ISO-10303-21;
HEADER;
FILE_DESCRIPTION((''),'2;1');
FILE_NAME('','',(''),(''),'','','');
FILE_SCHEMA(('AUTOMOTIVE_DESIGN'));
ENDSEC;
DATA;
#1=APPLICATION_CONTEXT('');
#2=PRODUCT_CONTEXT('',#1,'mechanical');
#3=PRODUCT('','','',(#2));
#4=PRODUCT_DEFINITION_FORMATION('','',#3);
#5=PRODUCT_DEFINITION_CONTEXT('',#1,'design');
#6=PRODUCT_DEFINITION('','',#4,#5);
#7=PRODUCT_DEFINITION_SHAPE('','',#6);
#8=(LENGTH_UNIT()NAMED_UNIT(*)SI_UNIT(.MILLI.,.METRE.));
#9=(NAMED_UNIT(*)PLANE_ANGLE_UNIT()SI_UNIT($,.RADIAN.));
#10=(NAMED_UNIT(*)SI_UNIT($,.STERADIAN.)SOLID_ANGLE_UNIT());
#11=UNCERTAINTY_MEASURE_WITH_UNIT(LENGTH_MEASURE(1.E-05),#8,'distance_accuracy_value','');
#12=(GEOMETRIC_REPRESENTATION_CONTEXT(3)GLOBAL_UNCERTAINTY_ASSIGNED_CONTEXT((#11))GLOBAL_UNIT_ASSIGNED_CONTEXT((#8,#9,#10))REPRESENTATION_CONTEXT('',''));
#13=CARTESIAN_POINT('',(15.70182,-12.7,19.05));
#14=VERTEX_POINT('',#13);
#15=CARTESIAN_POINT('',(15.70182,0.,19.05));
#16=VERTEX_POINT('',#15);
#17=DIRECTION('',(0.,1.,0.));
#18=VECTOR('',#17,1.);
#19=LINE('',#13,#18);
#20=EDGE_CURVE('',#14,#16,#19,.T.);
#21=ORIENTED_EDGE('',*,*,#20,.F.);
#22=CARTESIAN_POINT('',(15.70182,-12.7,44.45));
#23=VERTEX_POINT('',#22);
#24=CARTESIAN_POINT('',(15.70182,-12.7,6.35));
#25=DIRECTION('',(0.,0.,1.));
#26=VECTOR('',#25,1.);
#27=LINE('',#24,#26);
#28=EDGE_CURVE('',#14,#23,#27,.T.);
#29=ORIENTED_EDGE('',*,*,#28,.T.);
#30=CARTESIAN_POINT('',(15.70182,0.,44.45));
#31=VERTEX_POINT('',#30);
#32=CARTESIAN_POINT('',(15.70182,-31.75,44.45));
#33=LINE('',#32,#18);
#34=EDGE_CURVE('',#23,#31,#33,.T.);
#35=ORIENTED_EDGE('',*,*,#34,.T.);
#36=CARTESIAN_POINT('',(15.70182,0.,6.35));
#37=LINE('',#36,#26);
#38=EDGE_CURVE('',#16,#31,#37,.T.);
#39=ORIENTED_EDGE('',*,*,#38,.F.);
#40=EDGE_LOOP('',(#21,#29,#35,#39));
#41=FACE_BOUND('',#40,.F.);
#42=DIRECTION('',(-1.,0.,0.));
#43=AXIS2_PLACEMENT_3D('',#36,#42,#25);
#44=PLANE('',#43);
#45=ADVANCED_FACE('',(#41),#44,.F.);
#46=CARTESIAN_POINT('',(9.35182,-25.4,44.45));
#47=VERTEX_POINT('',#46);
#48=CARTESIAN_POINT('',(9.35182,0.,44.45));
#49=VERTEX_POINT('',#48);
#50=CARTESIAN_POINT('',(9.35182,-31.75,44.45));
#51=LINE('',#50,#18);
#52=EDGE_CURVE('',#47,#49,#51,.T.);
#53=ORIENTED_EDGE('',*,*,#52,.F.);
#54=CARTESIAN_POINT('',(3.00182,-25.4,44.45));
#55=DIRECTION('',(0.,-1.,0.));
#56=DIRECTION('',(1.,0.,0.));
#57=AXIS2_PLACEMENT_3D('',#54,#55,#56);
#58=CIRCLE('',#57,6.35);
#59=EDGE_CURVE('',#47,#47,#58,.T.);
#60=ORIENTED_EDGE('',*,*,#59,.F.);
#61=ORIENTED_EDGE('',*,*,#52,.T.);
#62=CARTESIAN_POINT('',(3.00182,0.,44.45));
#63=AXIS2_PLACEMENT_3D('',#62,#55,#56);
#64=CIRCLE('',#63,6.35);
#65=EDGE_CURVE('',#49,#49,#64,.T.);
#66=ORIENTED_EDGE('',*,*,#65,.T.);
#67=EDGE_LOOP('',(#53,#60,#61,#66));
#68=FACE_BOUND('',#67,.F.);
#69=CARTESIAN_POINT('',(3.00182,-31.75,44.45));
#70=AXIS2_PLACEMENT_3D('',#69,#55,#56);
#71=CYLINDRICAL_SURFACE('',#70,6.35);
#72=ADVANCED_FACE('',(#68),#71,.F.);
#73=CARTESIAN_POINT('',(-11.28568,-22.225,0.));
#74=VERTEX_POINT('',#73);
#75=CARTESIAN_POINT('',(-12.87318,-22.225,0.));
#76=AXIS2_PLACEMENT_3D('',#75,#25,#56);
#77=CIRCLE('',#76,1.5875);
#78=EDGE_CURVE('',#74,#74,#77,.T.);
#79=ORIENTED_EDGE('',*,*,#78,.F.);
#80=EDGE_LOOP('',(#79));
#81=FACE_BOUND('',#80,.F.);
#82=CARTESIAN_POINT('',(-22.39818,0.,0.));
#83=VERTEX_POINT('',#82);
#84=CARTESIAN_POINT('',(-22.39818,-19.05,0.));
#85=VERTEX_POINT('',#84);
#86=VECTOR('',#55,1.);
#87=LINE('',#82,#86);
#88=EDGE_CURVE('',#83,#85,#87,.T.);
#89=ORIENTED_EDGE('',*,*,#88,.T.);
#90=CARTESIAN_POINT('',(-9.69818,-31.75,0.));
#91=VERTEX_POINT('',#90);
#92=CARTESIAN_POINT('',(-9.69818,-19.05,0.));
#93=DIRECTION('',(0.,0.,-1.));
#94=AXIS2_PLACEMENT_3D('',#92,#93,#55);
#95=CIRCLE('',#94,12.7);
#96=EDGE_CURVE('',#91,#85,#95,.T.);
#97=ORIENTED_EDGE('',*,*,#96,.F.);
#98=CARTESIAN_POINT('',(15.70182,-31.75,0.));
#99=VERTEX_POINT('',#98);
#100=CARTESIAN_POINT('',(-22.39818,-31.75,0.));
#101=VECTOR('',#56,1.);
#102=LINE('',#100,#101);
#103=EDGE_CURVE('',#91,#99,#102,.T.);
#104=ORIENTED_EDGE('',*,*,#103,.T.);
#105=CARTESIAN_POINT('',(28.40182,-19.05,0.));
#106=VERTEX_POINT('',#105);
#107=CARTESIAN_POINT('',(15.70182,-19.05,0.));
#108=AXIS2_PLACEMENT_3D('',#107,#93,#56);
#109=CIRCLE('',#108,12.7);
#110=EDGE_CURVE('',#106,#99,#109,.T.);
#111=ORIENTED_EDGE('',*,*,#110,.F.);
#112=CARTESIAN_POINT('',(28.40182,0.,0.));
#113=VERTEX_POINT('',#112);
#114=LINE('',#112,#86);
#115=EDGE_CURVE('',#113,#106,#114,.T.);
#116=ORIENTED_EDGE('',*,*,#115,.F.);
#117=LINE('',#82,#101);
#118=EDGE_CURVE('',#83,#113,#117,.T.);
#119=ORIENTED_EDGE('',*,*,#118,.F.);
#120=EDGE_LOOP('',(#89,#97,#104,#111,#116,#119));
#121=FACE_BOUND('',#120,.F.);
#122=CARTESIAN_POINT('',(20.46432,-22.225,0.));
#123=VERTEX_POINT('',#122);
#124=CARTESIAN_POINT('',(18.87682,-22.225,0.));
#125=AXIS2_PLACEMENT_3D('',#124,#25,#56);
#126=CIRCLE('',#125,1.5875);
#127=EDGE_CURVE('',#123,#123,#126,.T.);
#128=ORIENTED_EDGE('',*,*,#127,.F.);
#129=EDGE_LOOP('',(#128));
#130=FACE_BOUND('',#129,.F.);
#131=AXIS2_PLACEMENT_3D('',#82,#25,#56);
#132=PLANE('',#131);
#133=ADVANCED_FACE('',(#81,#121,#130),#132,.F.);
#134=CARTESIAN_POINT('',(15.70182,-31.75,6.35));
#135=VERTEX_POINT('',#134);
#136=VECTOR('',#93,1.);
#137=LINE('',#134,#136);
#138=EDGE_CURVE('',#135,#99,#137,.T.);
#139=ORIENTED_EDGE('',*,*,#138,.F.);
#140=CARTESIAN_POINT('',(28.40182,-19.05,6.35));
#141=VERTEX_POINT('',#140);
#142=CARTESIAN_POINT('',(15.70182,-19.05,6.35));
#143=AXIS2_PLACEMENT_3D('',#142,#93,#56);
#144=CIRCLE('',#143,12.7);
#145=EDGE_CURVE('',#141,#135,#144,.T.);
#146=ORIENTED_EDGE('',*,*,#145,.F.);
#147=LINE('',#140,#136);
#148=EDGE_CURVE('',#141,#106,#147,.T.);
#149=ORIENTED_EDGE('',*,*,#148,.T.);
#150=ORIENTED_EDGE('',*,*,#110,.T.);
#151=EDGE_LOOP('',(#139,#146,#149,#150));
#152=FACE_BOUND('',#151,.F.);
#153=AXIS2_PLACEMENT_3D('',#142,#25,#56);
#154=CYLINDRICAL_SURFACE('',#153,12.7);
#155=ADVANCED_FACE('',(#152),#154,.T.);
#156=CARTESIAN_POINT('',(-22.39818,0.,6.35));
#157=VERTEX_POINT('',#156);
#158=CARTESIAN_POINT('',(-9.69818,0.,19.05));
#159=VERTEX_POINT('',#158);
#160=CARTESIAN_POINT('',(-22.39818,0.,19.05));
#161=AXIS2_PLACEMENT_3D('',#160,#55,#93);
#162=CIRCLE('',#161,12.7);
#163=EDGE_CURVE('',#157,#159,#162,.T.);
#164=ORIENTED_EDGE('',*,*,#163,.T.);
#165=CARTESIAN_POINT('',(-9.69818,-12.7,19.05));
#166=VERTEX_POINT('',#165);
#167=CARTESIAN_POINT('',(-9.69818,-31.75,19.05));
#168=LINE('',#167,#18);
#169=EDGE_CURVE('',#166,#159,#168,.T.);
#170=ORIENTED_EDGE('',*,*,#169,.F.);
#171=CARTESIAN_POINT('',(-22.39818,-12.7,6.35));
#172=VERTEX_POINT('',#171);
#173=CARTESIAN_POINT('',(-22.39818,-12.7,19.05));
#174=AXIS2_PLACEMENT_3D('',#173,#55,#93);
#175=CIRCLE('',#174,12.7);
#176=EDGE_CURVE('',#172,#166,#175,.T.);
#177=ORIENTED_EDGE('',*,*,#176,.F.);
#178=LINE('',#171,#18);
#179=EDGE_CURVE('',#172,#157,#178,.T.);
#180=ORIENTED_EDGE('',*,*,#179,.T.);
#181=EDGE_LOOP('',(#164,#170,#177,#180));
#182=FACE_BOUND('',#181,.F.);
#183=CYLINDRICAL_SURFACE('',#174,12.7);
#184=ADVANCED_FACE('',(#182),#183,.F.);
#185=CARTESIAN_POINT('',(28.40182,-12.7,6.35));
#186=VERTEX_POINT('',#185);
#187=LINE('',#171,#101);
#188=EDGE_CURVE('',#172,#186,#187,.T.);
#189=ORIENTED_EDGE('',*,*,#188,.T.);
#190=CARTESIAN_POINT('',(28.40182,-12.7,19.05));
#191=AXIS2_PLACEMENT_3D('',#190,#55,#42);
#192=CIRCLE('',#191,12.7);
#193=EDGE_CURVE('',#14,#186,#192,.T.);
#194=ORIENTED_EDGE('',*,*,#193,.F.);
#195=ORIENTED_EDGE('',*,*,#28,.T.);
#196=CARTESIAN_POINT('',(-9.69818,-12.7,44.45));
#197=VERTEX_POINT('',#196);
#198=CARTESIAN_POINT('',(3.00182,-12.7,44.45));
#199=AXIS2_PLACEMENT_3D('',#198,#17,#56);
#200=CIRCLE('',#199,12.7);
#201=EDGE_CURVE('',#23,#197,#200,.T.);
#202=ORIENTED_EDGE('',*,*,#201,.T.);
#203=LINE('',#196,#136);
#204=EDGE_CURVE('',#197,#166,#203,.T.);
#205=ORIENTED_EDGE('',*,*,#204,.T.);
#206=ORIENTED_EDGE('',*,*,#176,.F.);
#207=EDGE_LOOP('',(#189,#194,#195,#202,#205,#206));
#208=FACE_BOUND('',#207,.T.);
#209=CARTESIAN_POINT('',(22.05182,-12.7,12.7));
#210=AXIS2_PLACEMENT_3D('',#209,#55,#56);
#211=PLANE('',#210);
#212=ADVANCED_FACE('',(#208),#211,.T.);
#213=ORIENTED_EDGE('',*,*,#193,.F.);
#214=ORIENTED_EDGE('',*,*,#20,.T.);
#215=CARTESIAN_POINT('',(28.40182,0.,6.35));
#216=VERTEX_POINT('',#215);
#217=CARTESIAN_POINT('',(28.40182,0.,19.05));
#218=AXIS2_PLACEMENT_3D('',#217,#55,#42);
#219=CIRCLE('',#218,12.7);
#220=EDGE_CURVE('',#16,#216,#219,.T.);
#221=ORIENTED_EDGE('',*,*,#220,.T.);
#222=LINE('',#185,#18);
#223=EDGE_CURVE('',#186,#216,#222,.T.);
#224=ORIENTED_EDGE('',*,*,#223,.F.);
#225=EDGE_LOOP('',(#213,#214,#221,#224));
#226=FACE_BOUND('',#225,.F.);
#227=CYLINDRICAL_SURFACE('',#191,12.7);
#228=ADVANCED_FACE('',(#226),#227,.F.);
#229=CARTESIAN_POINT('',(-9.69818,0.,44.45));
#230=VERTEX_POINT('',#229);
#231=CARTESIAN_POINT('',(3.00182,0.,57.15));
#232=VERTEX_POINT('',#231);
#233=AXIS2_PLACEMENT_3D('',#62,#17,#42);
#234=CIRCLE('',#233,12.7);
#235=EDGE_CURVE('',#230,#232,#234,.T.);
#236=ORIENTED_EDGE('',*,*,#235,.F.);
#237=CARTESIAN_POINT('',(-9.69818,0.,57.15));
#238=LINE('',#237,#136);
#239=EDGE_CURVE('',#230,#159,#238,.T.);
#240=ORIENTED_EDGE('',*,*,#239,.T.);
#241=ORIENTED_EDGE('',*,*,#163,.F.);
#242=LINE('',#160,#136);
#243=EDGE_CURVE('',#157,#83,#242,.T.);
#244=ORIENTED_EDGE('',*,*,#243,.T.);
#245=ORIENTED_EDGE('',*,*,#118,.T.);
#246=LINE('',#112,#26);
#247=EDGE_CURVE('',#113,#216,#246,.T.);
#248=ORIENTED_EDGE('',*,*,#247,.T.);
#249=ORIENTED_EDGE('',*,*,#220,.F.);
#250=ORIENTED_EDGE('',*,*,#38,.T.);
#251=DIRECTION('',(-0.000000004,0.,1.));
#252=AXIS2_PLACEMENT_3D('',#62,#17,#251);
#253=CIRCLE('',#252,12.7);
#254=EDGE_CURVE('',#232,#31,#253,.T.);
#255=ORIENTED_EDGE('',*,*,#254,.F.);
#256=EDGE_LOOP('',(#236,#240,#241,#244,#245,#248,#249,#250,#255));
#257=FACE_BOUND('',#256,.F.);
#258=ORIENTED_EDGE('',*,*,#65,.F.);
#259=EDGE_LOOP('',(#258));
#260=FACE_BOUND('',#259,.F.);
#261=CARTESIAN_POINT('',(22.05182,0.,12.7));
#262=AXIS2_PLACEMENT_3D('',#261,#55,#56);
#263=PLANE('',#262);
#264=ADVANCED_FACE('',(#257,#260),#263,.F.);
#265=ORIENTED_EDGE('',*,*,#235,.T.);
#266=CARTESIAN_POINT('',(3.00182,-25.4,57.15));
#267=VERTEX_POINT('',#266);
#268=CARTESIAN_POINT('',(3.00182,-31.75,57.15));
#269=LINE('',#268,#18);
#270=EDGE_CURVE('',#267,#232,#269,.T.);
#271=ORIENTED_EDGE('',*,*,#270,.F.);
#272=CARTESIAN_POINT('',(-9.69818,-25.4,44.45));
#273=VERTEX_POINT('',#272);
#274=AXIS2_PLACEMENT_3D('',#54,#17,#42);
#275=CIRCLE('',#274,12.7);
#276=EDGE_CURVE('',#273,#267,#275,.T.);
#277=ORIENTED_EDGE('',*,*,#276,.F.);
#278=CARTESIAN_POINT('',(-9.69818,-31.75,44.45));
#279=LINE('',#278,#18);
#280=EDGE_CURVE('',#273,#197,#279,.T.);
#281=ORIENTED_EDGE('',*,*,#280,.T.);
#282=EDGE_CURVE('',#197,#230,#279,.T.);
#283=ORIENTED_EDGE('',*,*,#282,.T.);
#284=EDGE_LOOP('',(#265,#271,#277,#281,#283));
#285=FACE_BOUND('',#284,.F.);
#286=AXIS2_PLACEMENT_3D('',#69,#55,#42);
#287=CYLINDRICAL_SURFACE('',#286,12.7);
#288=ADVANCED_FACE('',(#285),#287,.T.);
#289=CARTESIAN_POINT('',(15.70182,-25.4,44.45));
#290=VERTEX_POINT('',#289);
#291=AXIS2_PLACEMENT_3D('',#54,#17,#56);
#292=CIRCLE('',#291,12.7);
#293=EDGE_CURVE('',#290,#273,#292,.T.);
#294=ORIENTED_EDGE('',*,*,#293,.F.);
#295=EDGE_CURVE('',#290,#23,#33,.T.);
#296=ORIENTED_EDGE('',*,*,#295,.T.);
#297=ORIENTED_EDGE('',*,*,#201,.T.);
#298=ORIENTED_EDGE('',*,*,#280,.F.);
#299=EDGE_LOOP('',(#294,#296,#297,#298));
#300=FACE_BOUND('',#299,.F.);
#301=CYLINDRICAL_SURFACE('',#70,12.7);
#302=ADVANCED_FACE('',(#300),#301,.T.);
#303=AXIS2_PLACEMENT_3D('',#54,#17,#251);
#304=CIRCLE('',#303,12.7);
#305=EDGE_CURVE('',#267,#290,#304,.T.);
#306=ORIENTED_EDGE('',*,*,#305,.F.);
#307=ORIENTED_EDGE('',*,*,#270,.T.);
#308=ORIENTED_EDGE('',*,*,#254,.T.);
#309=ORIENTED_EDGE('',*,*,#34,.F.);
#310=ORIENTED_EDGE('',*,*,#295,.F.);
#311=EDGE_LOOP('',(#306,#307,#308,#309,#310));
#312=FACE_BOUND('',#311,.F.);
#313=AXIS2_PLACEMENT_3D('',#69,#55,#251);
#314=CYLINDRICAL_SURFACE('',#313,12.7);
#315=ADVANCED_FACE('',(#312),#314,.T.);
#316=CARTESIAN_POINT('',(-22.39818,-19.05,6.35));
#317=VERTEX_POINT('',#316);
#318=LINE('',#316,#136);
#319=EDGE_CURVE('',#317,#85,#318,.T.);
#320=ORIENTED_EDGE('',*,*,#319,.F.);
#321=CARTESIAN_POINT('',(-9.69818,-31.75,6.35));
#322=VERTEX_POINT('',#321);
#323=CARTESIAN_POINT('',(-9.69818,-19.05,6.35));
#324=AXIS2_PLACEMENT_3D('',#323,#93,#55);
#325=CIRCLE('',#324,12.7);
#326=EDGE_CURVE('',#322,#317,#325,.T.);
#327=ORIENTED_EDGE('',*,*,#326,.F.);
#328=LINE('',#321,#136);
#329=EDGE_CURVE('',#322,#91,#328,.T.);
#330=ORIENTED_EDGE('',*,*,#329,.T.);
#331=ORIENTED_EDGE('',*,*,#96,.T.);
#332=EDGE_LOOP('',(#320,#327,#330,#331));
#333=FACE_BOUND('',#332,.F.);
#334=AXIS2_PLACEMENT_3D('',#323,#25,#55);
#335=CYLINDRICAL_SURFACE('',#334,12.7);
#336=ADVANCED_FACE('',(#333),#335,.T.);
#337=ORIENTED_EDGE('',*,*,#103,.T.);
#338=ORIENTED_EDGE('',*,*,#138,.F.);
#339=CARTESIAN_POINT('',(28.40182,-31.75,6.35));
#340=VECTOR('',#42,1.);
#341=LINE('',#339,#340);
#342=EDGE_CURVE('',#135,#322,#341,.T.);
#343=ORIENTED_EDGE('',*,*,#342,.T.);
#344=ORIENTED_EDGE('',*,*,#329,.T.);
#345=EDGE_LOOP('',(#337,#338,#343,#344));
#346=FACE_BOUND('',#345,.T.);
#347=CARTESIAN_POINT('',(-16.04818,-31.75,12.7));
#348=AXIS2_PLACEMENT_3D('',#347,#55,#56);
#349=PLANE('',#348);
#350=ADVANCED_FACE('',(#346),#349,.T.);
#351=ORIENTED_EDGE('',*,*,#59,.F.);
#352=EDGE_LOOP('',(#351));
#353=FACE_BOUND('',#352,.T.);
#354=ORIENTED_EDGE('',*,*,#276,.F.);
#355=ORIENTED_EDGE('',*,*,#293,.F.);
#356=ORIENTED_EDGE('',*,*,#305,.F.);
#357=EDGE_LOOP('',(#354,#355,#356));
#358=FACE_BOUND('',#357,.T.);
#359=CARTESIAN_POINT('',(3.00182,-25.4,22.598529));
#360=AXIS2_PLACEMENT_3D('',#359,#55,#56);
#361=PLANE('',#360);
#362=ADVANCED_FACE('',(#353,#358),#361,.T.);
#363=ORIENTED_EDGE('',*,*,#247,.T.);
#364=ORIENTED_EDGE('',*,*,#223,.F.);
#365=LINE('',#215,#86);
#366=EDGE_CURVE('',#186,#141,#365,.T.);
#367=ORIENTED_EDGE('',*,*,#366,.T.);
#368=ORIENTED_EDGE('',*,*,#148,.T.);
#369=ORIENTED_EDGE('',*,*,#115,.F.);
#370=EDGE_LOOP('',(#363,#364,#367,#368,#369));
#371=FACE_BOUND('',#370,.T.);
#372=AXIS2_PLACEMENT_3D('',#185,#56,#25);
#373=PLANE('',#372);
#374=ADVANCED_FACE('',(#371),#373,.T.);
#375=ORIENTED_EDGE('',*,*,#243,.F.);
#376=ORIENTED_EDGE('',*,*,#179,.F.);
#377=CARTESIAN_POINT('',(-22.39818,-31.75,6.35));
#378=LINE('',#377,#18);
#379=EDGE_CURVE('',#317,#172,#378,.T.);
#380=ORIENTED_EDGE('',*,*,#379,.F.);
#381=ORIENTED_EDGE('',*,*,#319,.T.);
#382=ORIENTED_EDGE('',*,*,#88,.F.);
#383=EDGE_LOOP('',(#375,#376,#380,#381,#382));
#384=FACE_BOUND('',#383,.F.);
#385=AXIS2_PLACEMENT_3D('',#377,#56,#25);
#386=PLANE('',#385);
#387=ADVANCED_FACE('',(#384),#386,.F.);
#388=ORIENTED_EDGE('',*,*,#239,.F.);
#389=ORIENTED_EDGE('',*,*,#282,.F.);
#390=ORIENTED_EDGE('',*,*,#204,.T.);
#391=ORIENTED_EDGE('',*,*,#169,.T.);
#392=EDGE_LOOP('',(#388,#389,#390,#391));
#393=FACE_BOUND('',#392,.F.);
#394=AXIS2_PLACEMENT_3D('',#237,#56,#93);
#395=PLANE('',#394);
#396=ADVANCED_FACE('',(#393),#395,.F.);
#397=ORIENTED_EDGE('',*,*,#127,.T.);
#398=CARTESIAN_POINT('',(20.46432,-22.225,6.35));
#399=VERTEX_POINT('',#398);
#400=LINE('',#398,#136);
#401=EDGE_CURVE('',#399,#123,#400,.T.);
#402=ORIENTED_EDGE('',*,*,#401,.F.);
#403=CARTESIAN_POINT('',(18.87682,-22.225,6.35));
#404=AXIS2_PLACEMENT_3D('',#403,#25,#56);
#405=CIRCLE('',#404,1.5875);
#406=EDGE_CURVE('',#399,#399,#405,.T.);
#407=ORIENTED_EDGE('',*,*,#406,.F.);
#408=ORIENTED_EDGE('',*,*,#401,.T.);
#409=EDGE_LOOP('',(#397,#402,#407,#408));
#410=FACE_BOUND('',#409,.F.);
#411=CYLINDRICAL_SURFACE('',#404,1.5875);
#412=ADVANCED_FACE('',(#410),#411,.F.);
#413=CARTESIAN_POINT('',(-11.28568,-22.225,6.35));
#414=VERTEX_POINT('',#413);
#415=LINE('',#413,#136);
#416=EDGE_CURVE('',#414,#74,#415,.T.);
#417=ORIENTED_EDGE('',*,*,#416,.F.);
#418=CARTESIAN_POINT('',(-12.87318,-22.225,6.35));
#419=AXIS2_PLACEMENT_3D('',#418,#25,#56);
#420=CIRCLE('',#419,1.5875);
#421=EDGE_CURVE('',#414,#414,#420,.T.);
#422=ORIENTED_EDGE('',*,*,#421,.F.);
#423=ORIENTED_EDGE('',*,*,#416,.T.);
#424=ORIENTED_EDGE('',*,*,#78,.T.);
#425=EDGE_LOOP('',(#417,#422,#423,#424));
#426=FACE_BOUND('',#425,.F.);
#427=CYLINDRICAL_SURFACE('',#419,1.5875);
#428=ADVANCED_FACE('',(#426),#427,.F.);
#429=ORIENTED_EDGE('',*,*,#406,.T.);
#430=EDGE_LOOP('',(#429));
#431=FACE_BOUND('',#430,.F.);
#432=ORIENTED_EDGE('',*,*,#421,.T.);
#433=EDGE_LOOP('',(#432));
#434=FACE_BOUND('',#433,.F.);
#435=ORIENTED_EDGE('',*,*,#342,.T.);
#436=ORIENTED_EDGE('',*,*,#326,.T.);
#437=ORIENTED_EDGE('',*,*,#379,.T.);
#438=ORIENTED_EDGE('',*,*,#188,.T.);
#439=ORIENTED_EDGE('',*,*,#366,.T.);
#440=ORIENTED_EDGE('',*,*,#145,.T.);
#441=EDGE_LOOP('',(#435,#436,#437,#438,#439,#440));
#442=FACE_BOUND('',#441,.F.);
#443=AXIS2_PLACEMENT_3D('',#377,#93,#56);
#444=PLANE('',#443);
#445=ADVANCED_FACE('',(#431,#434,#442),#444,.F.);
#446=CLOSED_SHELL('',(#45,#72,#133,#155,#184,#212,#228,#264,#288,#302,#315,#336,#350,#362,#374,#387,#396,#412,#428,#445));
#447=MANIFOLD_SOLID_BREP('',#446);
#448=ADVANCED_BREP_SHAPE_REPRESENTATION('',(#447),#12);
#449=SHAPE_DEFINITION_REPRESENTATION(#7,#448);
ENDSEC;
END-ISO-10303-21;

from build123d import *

# Parameters (mm, degrees)
F1_DEPTH  = 31.75
F2_R      = 6.35
F3_DEPTH  = 31.75
F5_DEPTH  = 31.75
F7_DEPTH  = 19.05
F8_DEPTH  = 6.35
F9_W      = 12.7
F9_H      = 12.7
F10_DEPTH = 31.75
F11_W     = 12.7
F11_H     = 12.7
F12_DEPTH = 19.05
F14_DEPTH = 12.7
F15_W     = 12.7
F15_H     = 12.7
F16_DEPTH = 12.7
F18_DEPTH = 12.7
F19_R     = 1.5875
F20_DEPTH = 12.7
F22_DEPTH = 6.35


with BuildPart() as f1:
    # F0 (on Front) → F1 (new body)
    with BuildSketch(Plane.XZ):
        Polygon((-9.6981803781, 6.35), (-22.3981803781, 6.35), (-22.3981803781, 0), (28.4018196219, 0), (28.4018196219, 6.35), (15.7018196219, 6.35), (15.7018196219, 57.15), (-9.6981803781, 57.15), align=None)
    extrude(amount=F1_DEPTH)

    # F2 (on face) → F3 (cut)
    with BuildSketch(Plane.XZ.offset(31.75)):
        with Locations((3.0018196219, 44.45)):
            Circle(F2_R)
    extrude(amount=-F3_DEPTH, mode=Mode.SUBTRACT)

    # F4 (on face) → F5 (cut)
    with BuildSketch(Plane.XZ.offset(31.75)):
        with BuildLine():
            ThreePointArc((-9.6981803781, 44.45), (-5.9784365163, 53.4302561039), (3.0018195733, 57.15))
            Line((3.0018195733, 57.15), (-9.6981803781, 57.15))
            Line((-9.6981803781, 57.15), (-9.6981803781, 44.45))
        make_face()
        with BuildLine():
            ThreePointArc((3.0018195733, 57.15), (11.9820757258, 53.4302561383), (15.7018196219, 44.45))
            Line((15.7018196219, 44.45), (15.7018196219, 57.15))
            Line((15.7018196219, 57.15), (3.0018195733, 57.15))
        make_face()
    extrude(amount=-F5_DEPTH, mode=Mode.SUBTRACT)

    # F6 (on face) → F7 (cut)
    with BuildSketch(Plane.XZ.offset(31.75)):
        with BuildLine():
            Line((15.7018196219, 6.35), (15.7018196219, 44.45))
            ThreePointArc((15.7018196219, 44.45), (3.0018196219, 31.75), (-9.6981803781, 44.45))
            Line((-9.6981803781, 44.45), (-9.6981803781, 6.35))
            Line((-9.6981803781, 6.35), (15.7018196219, 6.35))
        make_face()
    extrude(amount=-F7_DEPTH, mode=Mode.SUBTRACT)

    # F8 (cut): a face of the model
    f8_faces = [f1.faces().sort_by_distance(p)[0] for p in [
        (15.3426093771, -31.75, 44.45),
    ]]
    extrude(f8_faces, amount=-F8_DEPTH, mode=Mode.SUBTRACT)

    # F9 (on face) → F10 (join)
    with BuildSketch(Plane.XZ.offset(31.75)):
        with Locations((-16.0481803781, 12.7)):
            Rectangle(F9_W, F9_H)
    extrude(amount=-F10_DEPTH)

    # F11 (on face) → F12 (cut)
    with BuildSketch(Plane.XZ.offset(31.75)):
        with Locations((-16.0481803781, 12.7)):
            Rectangle(F11_W, F11_H)
    extrude(amount=-F12_DEPTH, mode=Mode.SUBTRACT)

    # F13 (on face) → F14 (cut)
    with BuildSketch(Plane.XZ.offset(12.7)):
        with BuildLine():
            Line((-22.3981803781, 19.05), (-22.3981803781, 6.35))
            ThreePointArc((-22.3981803781, 6.35), (-13.417924257, 10.0697438789), (-9.6981803781, 19.05))
            Line((-9.6981803781, 19.05), (-22.3981803781, 19.05))
        make_face()
    extrude(amount=-F14_DEPTH, mode=Mode.SUBTRACT)

    # F15 (on face) → F16 (join)
    with BuildSketch(Plane.XZ.offset(12.7)):
        with Locations((22.0518196219, 12.7)):
            Rectangle(F15_W, F15_H)
    extrude(amount=-F16_DEPTH)

    # F17 (on face) → F18 (cut)
    with BuildSketch(Plane.XZ.offset(12.7)):
        with BuildLine():
            Line((28.4018196219, 19.05), (15.7018196219, 19.05))
            ThreePointArc((15.7018196219, 19.05), (19.4215635009, 10.0697438789), (28.4018196219, 6.35))
            Line((28.4018196219, 6.35), (28.4018196219, 19.05))
        make_face()
    extrude(amount=-F18_DEPTH, mode=Mode.SUBTRACT)

    # F19 (on face) → F20 (cut)
    with BuildSketch(Plane.XY.offset(6.35)):
        with Locations((-12.8731803781, -22.225)):
            Circle(F19_R)
        with Locations((18.8768196219, -22.225)):
            Circle(F19_R)
    extrude(amount=-F20_DEPTH, mode=Mode.SUBTRACT)

    # F21 (on face) → F22 (cut)
    with BuildSketch(Plane.XY.offset(6.35)):
        with BuildLine():
            ThreePointArc((-9.6981803781, -31.75), (-18.6784364991, -28.0302561211), (-22.3981803781, -19.05))
            Line((-22.3981803781, -19.05), (-22.3981803781, -31.75))
            Line((-22.3981803781, -31.75), (-9.6981803781, -31.75))
        make_face()
        with BuildLine():
            ThreePointArc((28.4018196219, -19.05), (24.682075743, -28.0302561211), (15.7018196219, -31.75))
            Line((15.7018196219, -31.75), (28.4018196219, -31.75))
            Line((28.4018196219, -31.75), (28.4018196219, -19.05))
        make_face()
    extrude(amount=-F22_DEPTH, mode=Mode.SUBTRACT)


solid = f1.part
